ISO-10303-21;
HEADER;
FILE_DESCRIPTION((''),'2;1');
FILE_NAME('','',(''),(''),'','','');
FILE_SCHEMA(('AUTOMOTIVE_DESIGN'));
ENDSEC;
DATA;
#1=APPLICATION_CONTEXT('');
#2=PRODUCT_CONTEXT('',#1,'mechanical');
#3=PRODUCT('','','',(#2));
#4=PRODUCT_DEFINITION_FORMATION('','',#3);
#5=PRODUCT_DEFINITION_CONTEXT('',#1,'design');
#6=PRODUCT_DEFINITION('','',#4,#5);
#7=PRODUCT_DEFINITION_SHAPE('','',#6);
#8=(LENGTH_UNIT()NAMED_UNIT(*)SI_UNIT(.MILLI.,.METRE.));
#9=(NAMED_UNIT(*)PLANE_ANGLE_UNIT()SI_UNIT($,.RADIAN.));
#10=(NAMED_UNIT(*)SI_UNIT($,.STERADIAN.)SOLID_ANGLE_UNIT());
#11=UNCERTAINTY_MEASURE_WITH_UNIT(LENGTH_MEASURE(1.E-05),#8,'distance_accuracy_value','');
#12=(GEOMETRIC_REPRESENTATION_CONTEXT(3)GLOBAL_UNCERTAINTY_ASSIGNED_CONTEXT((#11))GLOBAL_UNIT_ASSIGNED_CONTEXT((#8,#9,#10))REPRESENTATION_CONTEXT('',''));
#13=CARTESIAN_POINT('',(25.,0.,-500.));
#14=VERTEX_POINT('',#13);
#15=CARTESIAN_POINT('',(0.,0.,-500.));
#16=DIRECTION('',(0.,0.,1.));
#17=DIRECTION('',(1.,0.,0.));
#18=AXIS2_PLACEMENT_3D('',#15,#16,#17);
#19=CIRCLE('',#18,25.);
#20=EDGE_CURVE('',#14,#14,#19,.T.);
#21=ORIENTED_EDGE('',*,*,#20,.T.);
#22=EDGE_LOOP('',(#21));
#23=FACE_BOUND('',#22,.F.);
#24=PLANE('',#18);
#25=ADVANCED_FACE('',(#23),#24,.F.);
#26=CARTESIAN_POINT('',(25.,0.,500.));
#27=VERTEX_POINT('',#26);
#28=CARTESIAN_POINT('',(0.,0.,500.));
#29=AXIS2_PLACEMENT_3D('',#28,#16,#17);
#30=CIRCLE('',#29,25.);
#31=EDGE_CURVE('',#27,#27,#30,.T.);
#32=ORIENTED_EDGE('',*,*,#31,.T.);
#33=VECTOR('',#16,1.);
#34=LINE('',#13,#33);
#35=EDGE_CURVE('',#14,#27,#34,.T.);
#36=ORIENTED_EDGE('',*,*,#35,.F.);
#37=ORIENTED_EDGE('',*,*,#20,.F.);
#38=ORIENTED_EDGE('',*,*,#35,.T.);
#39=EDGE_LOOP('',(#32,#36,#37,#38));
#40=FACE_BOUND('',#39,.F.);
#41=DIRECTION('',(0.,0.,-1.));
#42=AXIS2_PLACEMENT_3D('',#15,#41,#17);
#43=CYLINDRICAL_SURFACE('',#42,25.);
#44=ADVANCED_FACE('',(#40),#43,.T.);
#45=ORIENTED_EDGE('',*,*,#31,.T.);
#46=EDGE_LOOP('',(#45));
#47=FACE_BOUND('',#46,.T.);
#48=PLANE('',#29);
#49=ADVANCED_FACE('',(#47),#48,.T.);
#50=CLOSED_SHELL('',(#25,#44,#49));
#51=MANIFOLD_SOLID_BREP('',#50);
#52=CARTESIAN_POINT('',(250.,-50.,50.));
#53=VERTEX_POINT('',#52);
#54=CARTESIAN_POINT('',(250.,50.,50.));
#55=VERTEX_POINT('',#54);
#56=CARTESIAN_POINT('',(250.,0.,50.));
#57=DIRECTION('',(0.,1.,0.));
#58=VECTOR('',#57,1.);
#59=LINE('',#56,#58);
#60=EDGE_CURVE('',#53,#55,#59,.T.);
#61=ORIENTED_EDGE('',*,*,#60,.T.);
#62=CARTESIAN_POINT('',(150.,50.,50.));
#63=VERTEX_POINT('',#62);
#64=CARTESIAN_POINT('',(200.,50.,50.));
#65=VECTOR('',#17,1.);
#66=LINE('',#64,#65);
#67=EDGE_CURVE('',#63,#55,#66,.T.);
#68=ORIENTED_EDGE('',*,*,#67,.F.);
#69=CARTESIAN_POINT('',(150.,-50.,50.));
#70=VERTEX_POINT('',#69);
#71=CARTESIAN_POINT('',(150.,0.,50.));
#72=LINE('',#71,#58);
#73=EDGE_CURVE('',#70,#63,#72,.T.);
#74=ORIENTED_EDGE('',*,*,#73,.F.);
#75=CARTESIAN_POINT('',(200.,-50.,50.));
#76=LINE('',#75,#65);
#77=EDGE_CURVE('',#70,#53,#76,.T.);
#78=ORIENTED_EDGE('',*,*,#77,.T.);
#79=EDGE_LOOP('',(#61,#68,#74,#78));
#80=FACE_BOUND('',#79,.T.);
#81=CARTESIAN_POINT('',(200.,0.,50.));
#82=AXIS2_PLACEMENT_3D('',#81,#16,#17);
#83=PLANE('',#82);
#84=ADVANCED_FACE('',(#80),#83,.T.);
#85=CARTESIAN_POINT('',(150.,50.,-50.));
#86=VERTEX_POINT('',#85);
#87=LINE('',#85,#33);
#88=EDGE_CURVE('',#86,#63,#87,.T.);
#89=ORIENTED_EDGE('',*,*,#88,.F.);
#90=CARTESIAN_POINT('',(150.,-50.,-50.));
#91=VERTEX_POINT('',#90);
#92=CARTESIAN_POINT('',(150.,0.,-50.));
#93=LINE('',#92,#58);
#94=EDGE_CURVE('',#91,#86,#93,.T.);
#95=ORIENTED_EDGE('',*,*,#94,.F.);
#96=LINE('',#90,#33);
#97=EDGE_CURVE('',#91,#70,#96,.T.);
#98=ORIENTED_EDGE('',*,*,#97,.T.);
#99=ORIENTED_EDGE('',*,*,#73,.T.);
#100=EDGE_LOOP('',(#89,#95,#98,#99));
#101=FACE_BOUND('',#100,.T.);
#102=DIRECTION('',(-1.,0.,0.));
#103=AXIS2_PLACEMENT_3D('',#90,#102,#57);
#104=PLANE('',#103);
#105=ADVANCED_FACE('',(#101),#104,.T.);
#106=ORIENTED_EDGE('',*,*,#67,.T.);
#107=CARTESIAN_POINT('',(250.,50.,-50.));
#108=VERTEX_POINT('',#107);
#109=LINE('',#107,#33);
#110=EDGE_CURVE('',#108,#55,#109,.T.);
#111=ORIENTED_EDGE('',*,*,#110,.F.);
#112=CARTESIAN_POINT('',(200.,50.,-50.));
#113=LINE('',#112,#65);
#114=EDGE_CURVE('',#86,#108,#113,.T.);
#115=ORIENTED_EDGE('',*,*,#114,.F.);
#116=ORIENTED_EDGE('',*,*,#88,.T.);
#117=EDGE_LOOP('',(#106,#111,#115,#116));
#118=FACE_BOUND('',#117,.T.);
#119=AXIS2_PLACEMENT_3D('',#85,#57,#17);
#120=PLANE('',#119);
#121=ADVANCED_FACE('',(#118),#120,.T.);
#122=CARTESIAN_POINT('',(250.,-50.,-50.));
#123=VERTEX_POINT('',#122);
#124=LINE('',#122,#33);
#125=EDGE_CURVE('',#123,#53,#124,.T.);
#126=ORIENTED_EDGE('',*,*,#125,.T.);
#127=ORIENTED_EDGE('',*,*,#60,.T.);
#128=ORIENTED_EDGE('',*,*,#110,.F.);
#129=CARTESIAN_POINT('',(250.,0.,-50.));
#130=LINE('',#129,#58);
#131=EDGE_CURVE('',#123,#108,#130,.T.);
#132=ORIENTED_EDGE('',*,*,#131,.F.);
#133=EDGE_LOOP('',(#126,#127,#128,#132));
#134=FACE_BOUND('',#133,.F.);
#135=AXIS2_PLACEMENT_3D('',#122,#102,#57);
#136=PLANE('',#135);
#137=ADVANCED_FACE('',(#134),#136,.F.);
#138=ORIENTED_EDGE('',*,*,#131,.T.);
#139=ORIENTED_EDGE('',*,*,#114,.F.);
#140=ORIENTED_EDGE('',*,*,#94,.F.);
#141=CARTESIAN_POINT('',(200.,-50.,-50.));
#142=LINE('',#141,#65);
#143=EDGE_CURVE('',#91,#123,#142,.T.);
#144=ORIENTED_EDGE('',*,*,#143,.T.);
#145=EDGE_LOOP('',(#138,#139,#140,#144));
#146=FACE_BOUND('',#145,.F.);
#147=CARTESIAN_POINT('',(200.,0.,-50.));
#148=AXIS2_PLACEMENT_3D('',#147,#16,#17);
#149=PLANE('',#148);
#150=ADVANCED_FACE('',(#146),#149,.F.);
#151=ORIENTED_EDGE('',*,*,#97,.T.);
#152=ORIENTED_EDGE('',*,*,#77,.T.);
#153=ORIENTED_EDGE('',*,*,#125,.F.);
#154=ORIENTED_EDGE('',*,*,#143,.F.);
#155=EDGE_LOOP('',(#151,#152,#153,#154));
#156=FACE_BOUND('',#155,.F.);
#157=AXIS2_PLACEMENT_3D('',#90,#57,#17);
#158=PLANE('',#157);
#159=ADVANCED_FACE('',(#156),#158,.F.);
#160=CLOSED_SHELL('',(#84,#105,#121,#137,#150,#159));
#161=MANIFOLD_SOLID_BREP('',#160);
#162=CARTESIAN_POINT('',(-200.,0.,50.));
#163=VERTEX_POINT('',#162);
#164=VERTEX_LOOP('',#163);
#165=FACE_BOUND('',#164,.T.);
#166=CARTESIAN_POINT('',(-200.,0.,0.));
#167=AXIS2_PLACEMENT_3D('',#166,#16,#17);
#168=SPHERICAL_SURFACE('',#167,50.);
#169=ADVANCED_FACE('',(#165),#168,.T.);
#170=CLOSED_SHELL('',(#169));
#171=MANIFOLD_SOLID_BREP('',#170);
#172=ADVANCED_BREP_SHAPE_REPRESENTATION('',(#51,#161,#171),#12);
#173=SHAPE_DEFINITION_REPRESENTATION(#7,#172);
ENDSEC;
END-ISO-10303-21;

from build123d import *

# Parameters (mm, degrees)
CYLINDER_R     = 25
CYLINDER_DEPTH = 1000
CUBE_W         = 100
CUBE_H         = 100
CUBE_DEPTH     = 100


with BuildPart() as sphere:
    # sphere → sphere (revolve)
    with BuildSketch(Plane(origin=(-200, 0, 0), x_dir=(1, 0, 0), z_dir=(0, -1, 0))):
        with BuildLine():
            ThreePointArc((0, -50), (50, 0), (0, 50))
            Line((0, 50), (0, -50))
        make_face()
    revolve(axis=Axis((-200, 0, 0), (0, 0, 1)))


with BuildPart() as cylinder:
    # cylinder → cylinder (new body)
    with BuildSketch(Plane.XY.offset(-500)):
        Circle(CYLINDER_R)
    extrude(amount=CYLINDER_DEPTH)


with BuildPart() as cube:
    # cube → cube (new body)
    with BuildSketch(Plane(origin=(150, -50, -50), x_dir=(1, 0, 0), z_dir=(0, 0, 1))):
        with Locations((50, 50)):
            Rectangle(CUBE_W, CUBE_H)
    extrude(amount=CUBE_DEPTH)


solid = Compound([sphere.part, cylinder.part, cube.part])
